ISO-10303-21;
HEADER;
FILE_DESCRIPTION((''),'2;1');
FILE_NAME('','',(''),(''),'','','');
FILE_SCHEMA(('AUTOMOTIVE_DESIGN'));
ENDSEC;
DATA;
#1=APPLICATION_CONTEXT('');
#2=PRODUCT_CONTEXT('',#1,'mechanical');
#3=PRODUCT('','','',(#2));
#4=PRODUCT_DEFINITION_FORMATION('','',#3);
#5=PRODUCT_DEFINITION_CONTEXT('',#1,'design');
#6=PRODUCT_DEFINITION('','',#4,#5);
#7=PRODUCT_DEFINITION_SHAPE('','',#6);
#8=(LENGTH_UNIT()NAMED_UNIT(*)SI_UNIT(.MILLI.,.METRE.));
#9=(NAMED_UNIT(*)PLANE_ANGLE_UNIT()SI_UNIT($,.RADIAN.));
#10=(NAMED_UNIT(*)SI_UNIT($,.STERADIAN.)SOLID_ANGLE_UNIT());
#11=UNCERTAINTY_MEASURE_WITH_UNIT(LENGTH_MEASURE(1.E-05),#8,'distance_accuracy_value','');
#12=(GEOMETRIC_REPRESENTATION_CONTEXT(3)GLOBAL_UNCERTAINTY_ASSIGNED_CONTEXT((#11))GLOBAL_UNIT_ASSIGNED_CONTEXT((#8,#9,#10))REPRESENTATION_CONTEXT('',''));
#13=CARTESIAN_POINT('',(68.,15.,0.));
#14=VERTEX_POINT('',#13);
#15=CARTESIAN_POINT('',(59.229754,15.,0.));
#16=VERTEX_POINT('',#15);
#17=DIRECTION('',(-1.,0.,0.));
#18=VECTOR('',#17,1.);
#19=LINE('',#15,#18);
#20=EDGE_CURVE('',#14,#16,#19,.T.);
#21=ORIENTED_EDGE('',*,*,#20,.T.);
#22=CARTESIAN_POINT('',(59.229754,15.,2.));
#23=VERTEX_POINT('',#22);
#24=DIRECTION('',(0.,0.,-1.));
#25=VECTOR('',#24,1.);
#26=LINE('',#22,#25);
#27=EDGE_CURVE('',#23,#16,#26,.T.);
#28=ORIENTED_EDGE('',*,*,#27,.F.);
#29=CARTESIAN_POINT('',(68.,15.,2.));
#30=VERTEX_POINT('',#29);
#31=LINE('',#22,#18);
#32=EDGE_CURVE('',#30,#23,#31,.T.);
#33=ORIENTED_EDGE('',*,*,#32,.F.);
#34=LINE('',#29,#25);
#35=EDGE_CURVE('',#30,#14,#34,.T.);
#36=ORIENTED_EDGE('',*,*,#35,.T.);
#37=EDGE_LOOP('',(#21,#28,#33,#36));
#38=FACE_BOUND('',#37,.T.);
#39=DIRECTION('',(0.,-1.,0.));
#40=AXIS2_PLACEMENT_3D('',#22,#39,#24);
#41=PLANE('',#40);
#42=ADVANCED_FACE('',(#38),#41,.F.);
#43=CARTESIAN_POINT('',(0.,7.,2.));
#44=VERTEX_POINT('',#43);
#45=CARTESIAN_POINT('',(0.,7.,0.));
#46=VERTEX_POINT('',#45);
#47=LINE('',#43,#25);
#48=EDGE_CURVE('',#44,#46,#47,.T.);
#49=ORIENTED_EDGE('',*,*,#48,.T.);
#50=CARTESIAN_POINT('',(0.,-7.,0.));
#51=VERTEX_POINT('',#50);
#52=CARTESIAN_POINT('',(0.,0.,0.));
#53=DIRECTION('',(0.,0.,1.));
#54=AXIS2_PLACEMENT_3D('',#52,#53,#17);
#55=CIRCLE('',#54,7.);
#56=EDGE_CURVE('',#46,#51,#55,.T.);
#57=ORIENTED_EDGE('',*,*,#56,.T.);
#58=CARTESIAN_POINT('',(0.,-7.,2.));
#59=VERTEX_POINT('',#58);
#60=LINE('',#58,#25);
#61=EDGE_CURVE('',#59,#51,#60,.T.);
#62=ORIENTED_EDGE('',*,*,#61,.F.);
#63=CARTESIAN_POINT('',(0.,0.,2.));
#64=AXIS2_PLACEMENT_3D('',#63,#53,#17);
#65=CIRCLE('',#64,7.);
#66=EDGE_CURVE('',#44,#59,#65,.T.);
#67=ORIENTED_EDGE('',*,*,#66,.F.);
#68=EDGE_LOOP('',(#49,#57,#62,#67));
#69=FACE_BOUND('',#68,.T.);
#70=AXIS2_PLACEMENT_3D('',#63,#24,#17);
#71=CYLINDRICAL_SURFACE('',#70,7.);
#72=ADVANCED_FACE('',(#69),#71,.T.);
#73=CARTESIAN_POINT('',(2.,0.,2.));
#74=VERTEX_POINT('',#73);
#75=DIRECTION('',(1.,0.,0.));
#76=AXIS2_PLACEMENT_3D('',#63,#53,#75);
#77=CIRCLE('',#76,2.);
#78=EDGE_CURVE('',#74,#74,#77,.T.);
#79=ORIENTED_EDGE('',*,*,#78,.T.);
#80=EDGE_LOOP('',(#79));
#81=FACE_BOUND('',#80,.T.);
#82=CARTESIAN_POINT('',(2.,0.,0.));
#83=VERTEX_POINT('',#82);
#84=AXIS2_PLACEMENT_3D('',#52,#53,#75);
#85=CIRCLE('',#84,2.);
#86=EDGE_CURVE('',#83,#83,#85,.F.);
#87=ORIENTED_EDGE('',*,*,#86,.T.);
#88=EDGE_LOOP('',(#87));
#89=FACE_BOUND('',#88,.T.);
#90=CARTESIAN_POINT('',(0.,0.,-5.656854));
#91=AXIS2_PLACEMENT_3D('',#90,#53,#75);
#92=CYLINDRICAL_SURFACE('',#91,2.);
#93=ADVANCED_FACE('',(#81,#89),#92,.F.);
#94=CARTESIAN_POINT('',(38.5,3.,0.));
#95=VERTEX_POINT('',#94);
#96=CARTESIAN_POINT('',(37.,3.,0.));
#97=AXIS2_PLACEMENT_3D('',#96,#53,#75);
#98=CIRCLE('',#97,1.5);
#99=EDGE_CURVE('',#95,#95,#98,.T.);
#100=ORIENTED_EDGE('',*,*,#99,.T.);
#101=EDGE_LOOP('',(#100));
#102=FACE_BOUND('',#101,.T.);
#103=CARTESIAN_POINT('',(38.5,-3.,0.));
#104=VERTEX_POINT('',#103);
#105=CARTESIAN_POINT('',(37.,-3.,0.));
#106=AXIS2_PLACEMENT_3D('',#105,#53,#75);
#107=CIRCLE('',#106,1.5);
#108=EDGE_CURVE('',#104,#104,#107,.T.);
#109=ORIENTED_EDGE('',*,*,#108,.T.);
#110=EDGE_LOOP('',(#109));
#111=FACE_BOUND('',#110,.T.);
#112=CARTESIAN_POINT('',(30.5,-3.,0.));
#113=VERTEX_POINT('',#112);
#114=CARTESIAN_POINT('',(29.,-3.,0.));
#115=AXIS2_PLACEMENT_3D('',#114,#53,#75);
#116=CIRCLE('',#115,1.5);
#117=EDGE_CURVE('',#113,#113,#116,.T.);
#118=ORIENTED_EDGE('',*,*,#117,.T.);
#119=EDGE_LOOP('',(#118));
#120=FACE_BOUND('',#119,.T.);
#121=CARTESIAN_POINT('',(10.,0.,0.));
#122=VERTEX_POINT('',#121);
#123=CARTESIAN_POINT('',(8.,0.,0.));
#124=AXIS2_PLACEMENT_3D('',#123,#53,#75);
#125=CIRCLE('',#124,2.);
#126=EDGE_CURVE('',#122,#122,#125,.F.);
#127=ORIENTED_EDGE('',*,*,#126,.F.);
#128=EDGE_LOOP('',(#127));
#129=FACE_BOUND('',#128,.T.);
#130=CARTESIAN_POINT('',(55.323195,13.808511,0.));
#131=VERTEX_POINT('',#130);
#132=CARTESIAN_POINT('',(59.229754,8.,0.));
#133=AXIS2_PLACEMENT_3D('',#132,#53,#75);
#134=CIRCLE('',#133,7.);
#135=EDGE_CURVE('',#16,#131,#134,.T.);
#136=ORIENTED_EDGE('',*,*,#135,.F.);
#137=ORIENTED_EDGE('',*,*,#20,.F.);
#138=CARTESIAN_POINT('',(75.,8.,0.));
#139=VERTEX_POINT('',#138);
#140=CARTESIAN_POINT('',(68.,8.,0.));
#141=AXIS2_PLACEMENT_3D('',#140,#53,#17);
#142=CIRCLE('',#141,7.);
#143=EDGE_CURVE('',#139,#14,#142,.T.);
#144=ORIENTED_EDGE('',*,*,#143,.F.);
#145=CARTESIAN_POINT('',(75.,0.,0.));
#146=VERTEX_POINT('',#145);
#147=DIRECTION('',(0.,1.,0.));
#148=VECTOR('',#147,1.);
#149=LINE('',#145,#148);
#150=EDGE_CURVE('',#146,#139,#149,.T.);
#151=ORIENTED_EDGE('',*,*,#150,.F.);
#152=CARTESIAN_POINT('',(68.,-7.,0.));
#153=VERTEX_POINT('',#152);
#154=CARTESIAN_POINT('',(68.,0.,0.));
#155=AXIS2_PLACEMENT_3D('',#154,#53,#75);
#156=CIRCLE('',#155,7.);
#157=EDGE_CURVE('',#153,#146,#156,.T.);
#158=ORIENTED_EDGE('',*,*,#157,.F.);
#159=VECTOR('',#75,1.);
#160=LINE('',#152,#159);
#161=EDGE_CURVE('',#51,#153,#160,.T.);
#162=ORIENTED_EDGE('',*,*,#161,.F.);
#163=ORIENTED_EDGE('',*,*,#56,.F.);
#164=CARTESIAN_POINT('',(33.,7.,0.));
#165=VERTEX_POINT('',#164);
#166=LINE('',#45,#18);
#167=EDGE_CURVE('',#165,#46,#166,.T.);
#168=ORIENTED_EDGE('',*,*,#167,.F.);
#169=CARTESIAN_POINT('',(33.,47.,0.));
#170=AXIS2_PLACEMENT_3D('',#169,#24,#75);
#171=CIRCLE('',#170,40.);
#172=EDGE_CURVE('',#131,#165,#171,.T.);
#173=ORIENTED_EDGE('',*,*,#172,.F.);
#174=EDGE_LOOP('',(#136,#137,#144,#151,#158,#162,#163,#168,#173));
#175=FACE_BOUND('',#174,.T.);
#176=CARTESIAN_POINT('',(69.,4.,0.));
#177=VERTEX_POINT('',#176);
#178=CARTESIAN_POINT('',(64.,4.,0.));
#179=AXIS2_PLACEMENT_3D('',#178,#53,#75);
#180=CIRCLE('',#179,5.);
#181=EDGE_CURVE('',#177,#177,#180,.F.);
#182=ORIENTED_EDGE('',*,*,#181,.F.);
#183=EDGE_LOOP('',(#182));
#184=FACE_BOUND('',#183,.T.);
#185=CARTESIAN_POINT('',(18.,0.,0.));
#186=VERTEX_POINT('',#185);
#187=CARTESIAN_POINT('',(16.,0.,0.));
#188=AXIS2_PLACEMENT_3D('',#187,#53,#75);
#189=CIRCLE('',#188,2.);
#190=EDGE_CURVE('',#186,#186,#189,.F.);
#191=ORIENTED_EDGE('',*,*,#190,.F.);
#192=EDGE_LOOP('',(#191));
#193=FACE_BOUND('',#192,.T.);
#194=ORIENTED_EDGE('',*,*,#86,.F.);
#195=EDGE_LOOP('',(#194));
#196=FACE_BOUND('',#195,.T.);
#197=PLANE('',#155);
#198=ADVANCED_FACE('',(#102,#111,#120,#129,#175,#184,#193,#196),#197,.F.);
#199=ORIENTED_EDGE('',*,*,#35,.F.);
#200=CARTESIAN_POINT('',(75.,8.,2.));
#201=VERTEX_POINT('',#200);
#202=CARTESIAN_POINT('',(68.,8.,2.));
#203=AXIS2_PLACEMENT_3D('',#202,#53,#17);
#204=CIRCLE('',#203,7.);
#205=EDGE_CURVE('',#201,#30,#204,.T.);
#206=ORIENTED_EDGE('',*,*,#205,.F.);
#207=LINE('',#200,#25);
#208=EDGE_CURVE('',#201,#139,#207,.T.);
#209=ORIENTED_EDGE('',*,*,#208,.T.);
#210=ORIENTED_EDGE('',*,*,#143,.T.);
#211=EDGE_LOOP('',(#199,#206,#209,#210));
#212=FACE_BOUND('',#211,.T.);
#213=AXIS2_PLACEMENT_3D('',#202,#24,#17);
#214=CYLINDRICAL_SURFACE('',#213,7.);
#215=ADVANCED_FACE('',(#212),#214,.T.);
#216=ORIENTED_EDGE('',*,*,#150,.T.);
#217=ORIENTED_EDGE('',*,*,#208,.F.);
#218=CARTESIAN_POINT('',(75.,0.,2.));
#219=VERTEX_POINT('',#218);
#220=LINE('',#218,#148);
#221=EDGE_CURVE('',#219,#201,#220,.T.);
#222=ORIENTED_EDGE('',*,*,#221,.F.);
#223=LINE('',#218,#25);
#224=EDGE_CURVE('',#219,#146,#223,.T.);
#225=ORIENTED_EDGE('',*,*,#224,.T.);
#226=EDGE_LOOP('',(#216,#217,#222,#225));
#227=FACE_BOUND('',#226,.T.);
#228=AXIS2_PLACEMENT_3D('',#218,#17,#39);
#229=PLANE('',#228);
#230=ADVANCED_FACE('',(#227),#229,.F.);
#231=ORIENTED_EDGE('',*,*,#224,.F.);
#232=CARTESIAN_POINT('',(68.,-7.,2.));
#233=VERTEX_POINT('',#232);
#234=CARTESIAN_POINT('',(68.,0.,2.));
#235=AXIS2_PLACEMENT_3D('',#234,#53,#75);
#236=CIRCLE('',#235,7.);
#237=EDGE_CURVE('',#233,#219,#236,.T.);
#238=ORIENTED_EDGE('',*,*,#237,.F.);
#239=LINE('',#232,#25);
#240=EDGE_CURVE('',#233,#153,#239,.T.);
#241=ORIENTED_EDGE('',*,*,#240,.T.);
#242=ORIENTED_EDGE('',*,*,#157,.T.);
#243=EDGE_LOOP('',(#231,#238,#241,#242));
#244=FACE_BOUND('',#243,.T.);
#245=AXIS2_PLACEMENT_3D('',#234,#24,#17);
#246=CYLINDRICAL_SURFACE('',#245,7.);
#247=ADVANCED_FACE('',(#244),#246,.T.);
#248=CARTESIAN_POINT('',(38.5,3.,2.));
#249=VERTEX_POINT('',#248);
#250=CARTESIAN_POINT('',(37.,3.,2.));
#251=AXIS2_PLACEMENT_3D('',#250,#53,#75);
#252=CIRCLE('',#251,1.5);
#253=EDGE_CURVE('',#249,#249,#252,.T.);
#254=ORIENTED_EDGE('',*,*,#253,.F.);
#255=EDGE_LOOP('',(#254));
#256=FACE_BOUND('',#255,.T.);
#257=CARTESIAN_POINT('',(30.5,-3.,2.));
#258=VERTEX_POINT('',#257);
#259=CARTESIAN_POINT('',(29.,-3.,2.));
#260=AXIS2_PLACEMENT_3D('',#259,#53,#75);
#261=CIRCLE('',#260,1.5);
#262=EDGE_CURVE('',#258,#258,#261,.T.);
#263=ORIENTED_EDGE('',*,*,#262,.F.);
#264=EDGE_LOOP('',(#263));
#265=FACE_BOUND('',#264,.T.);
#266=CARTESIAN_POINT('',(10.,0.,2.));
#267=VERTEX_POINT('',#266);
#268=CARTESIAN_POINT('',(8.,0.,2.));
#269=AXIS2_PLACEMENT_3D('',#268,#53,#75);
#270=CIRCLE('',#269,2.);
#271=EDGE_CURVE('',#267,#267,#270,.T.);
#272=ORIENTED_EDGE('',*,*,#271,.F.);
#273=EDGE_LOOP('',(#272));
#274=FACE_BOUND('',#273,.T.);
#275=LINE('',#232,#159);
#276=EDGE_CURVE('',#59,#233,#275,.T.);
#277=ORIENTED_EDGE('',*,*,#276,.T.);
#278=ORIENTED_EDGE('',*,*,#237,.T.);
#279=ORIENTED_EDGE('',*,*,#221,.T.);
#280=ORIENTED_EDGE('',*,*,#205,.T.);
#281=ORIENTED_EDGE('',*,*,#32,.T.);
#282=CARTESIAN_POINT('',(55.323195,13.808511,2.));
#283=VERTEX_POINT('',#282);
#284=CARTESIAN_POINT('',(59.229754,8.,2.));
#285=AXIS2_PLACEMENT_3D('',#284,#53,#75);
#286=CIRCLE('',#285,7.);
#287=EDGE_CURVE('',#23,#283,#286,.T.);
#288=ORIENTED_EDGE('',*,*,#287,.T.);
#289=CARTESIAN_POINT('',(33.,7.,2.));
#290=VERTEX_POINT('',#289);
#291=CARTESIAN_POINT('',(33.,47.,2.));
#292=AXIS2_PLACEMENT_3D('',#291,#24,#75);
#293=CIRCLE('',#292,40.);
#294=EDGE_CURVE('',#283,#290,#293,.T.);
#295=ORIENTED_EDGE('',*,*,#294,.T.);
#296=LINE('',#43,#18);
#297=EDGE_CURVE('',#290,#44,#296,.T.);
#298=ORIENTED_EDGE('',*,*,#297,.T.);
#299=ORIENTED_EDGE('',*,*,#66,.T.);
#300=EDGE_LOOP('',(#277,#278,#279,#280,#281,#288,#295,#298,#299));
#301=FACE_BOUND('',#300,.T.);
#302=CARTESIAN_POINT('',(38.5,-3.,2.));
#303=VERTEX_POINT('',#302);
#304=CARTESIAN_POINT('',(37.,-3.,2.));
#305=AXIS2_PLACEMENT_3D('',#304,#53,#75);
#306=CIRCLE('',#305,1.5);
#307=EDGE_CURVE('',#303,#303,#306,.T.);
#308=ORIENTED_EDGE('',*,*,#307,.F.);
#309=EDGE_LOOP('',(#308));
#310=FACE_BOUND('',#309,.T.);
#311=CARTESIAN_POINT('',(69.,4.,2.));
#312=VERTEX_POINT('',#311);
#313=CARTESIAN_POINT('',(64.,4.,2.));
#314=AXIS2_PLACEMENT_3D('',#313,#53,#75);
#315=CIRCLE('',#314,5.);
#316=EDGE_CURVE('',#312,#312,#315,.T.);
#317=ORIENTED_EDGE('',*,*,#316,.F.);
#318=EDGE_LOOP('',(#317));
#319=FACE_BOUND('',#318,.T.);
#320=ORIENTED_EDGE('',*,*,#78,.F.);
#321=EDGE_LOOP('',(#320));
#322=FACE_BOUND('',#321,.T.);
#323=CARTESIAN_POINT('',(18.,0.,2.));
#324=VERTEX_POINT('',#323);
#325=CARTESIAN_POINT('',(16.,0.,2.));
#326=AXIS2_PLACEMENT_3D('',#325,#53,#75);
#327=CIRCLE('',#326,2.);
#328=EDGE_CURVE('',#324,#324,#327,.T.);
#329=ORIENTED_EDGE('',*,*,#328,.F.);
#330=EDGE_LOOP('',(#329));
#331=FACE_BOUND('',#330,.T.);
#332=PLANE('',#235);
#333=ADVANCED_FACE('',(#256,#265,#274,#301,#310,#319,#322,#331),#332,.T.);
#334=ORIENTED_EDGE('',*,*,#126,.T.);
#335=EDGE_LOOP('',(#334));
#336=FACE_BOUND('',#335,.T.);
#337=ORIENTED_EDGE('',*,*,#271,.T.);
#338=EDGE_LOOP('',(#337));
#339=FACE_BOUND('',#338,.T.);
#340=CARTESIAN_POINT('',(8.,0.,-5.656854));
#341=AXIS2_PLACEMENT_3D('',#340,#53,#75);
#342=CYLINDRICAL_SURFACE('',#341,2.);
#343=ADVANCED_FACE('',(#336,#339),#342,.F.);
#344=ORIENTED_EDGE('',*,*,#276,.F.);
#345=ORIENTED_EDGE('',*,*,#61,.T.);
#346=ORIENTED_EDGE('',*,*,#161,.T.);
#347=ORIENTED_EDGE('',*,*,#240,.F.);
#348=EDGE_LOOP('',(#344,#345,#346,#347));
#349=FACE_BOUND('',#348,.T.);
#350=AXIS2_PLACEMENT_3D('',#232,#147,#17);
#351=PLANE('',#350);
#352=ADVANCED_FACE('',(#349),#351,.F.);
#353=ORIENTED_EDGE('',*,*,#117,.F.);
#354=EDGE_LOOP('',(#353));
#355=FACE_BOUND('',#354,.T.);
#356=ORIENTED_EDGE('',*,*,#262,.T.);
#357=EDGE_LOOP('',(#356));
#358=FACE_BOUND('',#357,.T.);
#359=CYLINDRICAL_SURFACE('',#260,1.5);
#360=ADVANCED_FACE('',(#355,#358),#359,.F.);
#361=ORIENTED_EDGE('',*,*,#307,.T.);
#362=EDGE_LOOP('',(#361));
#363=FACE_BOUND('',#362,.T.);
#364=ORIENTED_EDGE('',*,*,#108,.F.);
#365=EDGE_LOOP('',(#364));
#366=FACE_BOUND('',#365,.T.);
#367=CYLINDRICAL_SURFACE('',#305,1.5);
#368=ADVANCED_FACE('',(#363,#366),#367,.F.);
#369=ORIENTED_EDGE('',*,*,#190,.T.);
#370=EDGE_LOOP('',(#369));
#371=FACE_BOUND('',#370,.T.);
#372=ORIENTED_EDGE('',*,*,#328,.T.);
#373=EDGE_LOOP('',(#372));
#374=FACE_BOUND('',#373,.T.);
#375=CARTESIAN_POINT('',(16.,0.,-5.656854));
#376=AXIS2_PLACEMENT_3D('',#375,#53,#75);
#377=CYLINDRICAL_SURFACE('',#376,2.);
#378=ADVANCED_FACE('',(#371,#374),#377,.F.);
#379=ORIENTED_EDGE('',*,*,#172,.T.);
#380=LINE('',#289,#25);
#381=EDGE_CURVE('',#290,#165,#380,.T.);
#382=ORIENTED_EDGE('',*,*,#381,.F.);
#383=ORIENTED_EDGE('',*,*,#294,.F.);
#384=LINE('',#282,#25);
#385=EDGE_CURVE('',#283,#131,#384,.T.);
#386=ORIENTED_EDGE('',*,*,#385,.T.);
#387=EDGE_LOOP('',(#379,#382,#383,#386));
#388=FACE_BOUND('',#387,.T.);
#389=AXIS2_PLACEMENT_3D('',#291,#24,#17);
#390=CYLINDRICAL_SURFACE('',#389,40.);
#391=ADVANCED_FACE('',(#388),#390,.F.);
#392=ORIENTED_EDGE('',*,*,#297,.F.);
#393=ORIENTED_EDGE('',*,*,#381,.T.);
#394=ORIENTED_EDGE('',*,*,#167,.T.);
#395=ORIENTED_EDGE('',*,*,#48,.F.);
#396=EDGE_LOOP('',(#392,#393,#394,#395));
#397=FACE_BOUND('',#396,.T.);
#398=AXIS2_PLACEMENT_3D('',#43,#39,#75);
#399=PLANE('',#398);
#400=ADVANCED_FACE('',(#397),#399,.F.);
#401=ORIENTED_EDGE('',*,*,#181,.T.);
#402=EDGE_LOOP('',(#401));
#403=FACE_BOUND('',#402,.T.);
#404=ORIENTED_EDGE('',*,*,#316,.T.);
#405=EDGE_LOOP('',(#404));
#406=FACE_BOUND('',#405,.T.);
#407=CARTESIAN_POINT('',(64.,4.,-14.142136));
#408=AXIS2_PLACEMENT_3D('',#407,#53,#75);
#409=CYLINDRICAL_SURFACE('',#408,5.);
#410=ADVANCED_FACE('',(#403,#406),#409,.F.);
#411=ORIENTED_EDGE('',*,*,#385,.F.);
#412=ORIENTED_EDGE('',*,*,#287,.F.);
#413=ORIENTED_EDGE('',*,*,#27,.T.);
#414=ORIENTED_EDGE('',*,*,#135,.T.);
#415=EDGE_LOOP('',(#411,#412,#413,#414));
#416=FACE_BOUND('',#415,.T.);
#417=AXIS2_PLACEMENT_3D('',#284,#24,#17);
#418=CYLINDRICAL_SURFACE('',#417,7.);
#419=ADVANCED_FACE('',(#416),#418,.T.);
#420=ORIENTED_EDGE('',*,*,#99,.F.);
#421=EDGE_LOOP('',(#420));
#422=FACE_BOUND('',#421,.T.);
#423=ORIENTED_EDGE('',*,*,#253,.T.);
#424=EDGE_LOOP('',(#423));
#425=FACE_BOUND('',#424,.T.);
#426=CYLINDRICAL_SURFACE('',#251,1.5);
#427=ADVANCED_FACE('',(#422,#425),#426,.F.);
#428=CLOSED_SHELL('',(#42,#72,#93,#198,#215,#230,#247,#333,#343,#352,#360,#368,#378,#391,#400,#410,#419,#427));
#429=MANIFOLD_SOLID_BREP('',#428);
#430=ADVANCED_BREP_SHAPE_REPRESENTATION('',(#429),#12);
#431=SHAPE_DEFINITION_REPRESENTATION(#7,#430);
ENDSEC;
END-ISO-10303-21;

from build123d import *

# Parameters (mm, degrees)
BOSS_EXTRUDE1_DEPTH   = 2
SKETCH2_R             = 2
CUT_EXTRUDE1_DEPTH    = 2
SKETCH3_R             = 5
CUT_EXTRUDE2_DEPTH    = 2
F_3_0MM_DOWEL_HOLE2_D = 3


with BuildPart() as part:
    # Sketch1 → Boss-Extrude1 (new body)
    with BuildSketch(Plane.XY):
        with BuildLine():
            Line((0, 7), (33, 7))
            ThreePointArc((33, 7), (44.66919932, 8.739971416), (55.323194976, 13.808510638))
            ThreePointArc((55.323194976, 13.808510638), (57.187644216, 14.695505002), (59.229754097, 15))
            Line((59.229754097, 15), (68, 15))
            ThreePointArc((68, 15), (72.949747468, 12.949747468), (75, 8))
            Line((75, 8), (75, 0))
            ThreePointArc((75, 0), (72.949747468, -4.949747468), (68, -7))
            Line((68, -7), (0, -7))
            ThreePointArc((0, -7), (-7, 0), (0, 7))
        make_face()
    extrude(amount=BOSS_EXTRUDE1_DEPTH)

    # Sketch2 → Cut-Extrude1 (cut)
    with BuildSketch(Plane.XY.offset(2)):
        Circle(SKETCH2_R)
        with Locations((8, 0)):
            Circle(SKETCH2_R)
        with Locations((16, 0)):
            Circle(SKETCH2_R)
    extrude(amount=-CUT_EXTRUDE1_DEPTH, mode=Mode.SUBTRACT)

    # Sketch3 → Cut-Extrude2 (cut)
    with BuildSketch(Plane.XY.offset(2)):
        with Locations((64, 4)):
            Circle(SKETCH3_R)
    extrude(amount=-CUT_EXTRUDE2_DEPTH, mode=Mode.SUBTRACT)

    # Ø3.0mm Dowel Hole2 (through all)
    with Locations(Plane.XY.offset(2)):
        with Locations((29, -3), (37, -3), (37, 3)):
            Hole(F_3_0MM_DOWEL_HOLE2_D / 2)


solid = part.part
